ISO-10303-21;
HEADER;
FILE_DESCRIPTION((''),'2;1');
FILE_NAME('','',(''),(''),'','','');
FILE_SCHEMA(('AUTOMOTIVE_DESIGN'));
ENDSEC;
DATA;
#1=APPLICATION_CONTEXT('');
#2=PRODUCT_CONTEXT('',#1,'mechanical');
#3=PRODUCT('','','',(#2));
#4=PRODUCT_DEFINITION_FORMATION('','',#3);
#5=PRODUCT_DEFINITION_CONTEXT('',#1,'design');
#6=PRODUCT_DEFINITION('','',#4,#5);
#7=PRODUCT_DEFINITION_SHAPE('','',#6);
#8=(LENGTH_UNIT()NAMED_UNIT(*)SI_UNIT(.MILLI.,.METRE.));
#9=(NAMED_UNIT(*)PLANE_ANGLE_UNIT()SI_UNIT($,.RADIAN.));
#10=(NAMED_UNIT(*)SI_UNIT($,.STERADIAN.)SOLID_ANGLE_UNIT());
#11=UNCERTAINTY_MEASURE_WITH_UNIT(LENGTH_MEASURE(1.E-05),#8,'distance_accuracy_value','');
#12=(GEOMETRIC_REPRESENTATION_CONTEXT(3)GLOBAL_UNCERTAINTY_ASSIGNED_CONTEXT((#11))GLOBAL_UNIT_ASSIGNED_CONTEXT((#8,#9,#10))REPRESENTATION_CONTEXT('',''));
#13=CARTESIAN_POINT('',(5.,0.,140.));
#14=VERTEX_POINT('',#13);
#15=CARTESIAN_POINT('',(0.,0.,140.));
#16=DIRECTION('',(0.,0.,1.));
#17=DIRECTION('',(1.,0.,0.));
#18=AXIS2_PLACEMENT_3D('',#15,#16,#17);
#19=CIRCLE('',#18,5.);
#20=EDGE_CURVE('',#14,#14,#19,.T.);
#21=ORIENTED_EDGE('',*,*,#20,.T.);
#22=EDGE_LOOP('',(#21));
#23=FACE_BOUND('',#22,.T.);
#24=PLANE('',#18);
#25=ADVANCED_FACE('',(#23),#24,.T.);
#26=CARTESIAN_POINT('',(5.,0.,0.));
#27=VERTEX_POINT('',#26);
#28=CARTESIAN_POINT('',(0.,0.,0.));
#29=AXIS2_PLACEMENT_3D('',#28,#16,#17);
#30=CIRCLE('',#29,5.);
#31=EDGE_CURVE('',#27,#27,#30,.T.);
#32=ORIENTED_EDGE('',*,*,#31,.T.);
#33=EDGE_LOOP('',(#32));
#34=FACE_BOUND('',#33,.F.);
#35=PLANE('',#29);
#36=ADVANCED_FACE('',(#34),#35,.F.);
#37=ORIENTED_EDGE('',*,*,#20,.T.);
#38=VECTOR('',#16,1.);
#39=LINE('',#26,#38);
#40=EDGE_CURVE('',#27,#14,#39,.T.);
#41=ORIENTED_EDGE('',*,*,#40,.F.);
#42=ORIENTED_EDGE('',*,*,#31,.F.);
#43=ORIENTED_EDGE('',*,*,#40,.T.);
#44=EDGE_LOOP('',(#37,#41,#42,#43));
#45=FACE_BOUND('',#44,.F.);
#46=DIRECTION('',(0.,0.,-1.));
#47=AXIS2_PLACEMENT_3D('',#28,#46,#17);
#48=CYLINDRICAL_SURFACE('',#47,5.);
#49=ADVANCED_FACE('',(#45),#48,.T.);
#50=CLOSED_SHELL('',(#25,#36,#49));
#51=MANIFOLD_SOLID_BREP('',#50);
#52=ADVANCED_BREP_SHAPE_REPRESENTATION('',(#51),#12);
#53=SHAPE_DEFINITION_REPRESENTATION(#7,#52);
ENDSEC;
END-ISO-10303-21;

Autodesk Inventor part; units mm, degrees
ref_plane "YZ Plane" through (0, 0, 0) normal (1, 0, 0) x (0, 1, 0)
ref_plane "XZ Plane" through (0, 0, 0) normal (0, 1, 0) x (-1, 0, 0)
ref_plane "XY Plane" through (0, 0, 0) normal (0, 0, 1) x (1, 0, 0)
sketch "Skizze1" plane through (0, 0, 0) normal (0, 0, 1) x (1, 0, 0)
  circle A0 centre (0, 0) radius 5
  dimension "d0" = 10
extrude "Extrusion1" add sketch "Skizze1" along normal blind 140
properties part number "BauteilWelle3"
